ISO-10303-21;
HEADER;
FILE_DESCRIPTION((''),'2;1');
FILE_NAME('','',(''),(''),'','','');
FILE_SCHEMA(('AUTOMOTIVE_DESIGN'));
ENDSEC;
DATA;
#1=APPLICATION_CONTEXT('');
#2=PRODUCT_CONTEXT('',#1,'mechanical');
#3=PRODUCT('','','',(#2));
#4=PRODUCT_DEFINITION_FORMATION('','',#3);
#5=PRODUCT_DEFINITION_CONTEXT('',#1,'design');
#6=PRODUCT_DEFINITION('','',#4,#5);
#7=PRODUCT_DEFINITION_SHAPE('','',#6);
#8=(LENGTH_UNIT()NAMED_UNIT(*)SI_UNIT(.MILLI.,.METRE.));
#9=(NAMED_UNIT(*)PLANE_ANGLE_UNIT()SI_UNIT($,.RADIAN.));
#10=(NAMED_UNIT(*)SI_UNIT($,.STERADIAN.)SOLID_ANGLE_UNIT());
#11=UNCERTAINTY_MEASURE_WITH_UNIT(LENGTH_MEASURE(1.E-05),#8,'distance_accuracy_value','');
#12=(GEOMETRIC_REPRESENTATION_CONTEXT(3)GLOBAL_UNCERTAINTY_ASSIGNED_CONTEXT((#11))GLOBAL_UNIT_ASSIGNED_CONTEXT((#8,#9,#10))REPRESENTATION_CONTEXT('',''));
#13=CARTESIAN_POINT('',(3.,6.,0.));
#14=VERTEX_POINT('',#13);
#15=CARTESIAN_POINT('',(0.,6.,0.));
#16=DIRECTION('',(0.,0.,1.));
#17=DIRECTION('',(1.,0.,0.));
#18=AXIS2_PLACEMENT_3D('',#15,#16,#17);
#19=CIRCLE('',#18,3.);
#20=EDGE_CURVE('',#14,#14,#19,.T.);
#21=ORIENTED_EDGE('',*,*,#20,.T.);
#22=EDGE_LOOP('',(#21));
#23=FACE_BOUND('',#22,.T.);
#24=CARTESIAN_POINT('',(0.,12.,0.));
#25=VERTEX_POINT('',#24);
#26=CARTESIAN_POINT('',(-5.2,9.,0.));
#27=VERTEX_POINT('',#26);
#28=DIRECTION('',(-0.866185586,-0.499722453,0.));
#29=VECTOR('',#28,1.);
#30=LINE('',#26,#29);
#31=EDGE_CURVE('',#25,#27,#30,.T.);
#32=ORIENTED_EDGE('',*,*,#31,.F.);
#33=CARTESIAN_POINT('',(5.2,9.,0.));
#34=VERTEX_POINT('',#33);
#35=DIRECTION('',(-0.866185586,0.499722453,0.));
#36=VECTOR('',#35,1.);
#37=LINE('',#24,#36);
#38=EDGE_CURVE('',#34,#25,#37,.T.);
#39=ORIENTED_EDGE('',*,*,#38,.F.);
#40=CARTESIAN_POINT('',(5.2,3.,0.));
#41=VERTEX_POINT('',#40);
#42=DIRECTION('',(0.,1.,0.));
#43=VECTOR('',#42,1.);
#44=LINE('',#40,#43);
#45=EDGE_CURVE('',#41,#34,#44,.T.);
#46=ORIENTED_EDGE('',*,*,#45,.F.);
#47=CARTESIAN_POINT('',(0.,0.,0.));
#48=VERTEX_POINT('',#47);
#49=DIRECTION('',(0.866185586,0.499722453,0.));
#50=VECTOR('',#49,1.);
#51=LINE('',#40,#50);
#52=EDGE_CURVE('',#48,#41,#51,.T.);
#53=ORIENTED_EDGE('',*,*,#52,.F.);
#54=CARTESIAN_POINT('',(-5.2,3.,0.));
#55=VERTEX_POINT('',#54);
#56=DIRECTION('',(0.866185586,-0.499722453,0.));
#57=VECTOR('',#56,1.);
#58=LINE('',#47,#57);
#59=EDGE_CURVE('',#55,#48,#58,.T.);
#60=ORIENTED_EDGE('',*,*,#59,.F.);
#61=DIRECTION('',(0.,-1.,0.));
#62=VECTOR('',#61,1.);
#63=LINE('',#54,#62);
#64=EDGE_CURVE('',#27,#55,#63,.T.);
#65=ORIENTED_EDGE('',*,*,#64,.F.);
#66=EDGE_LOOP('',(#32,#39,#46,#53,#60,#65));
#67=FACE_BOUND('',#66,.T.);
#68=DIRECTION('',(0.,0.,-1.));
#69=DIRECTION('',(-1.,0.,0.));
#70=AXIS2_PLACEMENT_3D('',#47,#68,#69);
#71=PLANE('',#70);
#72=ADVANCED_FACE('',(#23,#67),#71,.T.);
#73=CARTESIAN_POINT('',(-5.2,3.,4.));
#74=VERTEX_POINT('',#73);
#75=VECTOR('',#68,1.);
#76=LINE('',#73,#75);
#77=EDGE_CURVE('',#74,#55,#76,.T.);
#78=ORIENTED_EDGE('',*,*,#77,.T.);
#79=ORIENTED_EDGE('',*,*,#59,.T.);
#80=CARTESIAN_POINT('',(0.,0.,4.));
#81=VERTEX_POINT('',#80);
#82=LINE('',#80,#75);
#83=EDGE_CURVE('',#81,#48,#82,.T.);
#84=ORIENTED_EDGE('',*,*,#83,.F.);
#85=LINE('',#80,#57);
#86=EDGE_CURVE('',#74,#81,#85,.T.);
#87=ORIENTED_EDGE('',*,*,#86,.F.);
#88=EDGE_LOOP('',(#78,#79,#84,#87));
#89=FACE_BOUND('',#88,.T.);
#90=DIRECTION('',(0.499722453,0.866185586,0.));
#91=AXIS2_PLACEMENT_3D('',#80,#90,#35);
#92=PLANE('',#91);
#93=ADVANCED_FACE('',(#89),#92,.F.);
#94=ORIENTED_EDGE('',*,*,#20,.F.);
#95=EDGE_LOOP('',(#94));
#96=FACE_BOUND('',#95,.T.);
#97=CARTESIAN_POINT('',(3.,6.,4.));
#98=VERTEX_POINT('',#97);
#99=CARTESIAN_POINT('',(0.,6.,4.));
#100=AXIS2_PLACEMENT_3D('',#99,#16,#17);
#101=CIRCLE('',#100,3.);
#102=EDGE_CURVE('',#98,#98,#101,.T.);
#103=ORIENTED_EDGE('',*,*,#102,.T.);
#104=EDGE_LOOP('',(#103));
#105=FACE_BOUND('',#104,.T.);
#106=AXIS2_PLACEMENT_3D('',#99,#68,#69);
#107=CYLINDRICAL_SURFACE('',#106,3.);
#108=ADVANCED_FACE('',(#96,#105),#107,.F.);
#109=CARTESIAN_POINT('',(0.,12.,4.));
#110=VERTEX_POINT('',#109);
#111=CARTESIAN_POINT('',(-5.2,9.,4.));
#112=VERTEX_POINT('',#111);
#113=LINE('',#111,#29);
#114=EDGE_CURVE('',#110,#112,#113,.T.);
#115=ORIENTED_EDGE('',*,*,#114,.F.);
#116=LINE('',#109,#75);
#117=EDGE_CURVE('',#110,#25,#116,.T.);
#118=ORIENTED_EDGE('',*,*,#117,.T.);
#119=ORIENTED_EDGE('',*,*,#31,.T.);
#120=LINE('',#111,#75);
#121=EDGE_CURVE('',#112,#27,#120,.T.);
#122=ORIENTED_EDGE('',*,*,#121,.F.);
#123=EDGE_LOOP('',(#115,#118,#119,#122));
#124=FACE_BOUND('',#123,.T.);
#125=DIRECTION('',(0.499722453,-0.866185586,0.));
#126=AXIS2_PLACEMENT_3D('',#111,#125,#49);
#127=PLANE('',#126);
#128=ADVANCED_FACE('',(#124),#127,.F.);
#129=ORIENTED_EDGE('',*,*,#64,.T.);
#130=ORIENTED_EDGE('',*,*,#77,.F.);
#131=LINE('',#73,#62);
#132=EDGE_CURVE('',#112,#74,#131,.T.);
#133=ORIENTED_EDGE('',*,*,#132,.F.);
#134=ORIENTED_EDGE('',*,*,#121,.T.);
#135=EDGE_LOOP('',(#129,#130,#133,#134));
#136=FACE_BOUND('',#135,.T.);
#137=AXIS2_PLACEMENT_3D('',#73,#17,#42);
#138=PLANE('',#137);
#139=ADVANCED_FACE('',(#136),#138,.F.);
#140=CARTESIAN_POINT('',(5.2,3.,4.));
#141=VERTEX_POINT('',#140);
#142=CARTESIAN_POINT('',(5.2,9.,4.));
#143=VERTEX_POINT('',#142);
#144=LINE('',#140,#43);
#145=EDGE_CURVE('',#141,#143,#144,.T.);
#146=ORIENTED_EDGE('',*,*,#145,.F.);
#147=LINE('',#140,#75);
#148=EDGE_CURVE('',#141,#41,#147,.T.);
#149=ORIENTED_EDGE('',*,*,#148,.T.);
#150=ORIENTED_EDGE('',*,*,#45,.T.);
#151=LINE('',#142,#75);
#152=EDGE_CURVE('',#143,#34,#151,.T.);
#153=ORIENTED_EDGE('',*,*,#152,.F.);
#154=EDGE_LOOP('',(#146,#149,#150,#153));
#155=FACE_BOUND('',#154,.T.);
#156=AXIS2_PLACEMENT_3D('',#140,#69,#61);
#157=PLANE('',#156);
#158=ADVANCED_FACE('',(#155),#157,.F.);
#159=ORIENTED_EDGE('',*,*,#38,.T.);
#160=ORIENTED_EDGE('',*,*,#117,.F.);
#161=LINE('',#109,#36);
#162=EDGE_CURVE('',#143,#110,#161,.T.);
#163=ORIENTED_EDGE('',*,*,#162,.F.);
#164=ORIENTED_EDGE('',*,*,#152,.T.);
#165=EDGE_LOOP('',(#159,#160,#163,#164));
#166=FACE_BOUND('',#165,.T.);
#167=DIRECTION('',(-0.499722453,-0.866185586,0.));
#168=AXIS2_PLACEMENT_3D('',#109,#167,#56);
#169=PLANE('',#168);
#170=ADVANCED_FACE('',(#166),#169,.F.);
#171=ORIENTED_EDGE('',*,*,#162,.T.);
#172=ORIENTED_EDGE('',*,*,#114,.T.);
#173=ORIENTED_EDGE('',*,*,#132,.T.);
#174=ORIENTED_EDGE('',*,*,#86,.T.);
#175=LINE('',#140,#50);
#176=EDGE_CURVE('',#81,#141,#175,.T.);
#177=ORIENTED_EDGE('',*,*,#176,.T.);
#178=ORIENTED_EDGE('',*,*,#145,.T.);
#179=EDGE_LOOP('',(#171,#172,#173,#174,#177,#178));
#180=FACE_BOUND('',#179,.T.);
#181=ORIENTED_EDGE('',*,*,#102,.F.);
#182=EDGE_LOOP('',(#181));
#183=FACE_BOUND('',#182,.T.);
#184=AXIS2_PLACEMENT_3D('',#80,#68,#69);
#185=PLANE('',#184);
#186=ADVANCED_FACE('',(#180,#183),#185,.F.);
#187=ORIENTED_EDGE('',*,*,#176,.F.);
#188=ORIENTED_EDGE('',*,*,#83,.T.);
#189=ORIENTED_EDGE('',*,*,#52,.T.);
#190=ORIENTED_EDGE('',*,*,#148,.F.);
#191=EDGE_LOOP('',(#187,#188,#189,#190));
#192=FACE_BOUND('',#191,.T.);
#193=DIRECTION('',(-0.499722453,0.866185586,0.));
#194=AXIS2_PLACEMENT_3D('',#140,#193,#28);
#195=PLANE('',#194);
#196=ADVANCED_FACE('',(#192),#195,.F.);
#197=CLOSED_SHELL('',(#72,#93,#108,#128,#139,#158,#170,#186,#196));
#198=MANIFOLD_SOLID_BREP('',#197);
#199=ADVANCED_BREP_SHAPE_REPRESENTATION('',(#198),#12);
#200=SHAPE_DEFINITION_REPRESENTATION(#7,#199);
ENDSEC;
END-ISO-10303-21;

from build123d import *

# Parameters (mm, degrees)
CROQUIS1_R              = 3
SALIENTE_EXTRUIR1_DEPTH = 4


with BuildPart() as part:
    # Croquis1 → Saliente-Extruir1 (new body)
    with BuildSketch(Plane.XY):
        Polygon((5.2, 3), (5.2, 9), (0, 12), (-5.2, 9), (-5.2, 3), (0, 0), align=None)
        with Locations((0, 6)):
            Circle(CROQUIS1_R, mode=Mode.SUBTRACT)
    extrude(amount=SALIENTE_EXTRUIR1_DEPTH)


solid = part.part
